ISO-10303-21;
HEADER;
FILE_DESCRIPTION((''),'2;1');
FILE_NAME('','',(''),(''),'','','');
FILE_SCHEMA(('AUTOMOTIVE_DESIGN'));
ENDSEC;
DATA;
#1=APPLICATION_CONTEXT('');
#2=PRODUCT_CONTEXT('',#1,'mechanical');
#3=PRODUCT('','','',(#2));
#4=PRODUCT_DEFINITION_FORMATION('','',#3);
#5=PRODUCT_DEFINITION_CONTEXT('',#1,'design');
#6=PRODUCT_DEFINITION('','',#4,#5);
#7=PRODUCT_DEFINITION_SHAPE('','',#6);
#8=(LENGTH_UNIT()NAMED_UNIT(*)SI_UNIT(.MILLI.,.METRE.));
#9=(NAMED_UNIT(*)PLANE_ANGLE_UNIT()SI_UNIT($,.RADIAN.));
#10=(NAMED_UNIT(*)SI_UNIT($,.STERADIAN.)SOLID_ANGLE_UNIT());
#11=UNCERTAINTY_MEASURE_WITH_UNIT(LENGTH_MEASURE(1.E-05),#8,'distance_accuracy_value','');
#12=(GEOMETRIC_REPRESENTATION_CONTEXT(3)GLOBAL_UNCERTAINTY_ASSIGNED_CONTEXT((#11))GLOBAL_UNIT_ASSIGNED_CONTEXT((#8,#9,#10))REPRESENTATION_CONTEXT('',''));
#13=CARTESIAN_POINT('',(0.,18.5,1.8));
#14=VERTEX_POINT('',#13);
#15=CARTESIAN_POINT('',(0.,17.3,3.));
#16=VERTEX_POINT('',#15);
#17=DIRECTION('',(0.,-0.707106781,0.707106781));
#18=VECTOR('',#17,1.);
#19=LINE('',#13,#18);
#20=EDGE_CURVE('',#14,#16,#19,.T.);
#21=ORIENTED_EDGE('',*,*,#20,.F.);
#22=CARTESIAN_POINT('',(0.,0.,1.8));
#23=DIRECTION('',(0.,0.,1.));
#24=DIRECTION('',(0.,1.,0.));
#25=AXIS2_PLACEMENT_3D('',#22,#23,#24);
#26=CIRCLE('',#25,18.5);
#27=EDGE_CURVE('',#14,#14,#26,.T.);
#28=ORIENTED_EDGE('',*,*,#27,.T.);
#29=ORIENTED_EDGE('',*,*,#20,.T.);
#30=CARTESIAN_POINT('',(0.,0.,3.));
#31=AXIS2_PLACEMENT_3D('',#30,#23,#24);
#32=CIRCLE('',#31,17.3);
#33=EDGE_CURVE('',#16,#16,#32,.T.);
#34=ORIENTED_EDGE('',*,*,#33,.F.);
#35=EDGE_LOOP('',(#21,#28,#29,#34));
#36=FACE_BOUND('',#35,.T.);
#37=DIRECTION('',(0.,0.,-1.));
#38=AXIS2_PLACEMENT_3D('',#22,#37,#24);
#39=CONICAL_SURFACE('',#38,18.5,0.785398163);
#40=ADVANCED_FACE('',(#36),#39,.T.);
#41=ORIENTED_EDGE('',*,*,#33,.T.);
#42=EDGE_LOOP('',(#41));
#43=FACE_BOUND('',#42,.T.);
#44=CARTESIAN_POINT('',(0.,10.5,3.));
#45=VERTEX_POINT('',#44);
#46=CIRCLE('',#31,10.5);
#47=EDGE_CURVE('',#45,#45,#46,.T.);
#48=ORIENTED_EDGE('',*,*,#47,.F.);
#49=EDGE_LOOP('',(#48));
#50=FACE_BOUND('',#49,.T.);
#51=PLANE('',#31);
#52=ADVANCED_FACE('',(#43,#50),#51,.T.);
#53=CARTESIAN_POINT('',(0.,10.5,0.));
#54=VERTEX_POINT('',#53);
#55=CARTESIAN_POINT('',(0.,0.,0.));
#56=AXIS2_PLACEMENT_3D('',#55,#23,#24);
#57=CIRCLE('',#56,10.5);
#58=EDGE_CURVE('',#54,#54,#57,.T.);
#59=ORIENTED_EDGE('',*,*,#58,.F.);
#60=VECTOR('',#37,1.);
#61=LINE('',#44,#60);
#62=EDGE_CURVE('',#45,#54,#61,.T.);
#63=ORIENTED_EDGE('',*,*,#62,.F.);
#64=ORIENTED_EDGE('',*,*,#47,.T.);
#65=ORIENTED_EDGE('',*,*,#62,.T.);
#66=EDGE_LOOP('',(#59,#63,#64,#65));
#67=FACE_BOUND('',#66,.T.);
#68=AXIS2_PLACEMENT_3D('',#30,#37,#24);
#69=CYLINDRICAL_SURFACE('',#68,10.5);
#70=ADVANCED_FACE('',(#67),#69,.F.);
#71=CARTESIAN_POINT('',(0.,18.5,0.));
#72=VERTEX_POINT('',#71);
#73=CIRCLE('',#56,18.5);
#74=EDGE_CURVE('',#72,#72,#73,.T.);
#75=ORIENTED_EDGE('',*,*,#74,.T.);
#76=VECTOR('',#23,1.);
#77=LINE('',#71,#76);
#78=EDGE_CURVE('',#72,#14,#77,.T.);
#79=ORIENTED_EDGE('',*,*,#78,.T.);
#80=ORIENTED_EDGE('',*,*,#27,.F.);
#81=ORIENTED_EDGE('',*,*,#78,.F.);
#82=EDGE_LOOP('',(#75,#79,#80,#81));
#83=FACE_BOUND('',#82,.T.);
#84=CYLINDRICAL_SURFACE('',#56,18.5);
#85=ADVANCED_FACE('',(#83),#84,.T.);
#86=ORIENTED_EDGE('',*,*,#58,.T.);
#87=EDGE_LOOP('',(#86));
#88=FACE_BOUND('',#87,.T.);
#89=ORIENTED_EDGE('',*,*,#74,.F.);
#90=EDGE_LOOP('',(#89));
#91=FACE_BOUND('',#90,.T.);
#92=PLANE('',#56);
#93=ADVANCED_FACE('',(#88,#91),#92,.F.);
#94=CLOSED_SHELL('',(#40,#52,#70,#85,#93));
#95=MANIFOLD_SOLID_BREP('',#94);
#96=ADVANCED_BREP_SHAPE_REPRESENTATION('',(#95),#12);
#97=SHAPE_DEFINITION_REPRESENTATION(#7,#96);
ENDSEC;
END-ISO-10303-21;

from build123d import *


with BuildPart() as part:
    # Sketch → Revolution (revolve)
    with BuildSketch(Plane.YZ):
        Polygon((10.5, 0), (18.5, 0), (18.5, 1.8), (17.3, 3), (10.5, 3), align=None)
    revolve(axis=Axis((0, 0, 0), (0, 0, 1)))


solid = part.part
